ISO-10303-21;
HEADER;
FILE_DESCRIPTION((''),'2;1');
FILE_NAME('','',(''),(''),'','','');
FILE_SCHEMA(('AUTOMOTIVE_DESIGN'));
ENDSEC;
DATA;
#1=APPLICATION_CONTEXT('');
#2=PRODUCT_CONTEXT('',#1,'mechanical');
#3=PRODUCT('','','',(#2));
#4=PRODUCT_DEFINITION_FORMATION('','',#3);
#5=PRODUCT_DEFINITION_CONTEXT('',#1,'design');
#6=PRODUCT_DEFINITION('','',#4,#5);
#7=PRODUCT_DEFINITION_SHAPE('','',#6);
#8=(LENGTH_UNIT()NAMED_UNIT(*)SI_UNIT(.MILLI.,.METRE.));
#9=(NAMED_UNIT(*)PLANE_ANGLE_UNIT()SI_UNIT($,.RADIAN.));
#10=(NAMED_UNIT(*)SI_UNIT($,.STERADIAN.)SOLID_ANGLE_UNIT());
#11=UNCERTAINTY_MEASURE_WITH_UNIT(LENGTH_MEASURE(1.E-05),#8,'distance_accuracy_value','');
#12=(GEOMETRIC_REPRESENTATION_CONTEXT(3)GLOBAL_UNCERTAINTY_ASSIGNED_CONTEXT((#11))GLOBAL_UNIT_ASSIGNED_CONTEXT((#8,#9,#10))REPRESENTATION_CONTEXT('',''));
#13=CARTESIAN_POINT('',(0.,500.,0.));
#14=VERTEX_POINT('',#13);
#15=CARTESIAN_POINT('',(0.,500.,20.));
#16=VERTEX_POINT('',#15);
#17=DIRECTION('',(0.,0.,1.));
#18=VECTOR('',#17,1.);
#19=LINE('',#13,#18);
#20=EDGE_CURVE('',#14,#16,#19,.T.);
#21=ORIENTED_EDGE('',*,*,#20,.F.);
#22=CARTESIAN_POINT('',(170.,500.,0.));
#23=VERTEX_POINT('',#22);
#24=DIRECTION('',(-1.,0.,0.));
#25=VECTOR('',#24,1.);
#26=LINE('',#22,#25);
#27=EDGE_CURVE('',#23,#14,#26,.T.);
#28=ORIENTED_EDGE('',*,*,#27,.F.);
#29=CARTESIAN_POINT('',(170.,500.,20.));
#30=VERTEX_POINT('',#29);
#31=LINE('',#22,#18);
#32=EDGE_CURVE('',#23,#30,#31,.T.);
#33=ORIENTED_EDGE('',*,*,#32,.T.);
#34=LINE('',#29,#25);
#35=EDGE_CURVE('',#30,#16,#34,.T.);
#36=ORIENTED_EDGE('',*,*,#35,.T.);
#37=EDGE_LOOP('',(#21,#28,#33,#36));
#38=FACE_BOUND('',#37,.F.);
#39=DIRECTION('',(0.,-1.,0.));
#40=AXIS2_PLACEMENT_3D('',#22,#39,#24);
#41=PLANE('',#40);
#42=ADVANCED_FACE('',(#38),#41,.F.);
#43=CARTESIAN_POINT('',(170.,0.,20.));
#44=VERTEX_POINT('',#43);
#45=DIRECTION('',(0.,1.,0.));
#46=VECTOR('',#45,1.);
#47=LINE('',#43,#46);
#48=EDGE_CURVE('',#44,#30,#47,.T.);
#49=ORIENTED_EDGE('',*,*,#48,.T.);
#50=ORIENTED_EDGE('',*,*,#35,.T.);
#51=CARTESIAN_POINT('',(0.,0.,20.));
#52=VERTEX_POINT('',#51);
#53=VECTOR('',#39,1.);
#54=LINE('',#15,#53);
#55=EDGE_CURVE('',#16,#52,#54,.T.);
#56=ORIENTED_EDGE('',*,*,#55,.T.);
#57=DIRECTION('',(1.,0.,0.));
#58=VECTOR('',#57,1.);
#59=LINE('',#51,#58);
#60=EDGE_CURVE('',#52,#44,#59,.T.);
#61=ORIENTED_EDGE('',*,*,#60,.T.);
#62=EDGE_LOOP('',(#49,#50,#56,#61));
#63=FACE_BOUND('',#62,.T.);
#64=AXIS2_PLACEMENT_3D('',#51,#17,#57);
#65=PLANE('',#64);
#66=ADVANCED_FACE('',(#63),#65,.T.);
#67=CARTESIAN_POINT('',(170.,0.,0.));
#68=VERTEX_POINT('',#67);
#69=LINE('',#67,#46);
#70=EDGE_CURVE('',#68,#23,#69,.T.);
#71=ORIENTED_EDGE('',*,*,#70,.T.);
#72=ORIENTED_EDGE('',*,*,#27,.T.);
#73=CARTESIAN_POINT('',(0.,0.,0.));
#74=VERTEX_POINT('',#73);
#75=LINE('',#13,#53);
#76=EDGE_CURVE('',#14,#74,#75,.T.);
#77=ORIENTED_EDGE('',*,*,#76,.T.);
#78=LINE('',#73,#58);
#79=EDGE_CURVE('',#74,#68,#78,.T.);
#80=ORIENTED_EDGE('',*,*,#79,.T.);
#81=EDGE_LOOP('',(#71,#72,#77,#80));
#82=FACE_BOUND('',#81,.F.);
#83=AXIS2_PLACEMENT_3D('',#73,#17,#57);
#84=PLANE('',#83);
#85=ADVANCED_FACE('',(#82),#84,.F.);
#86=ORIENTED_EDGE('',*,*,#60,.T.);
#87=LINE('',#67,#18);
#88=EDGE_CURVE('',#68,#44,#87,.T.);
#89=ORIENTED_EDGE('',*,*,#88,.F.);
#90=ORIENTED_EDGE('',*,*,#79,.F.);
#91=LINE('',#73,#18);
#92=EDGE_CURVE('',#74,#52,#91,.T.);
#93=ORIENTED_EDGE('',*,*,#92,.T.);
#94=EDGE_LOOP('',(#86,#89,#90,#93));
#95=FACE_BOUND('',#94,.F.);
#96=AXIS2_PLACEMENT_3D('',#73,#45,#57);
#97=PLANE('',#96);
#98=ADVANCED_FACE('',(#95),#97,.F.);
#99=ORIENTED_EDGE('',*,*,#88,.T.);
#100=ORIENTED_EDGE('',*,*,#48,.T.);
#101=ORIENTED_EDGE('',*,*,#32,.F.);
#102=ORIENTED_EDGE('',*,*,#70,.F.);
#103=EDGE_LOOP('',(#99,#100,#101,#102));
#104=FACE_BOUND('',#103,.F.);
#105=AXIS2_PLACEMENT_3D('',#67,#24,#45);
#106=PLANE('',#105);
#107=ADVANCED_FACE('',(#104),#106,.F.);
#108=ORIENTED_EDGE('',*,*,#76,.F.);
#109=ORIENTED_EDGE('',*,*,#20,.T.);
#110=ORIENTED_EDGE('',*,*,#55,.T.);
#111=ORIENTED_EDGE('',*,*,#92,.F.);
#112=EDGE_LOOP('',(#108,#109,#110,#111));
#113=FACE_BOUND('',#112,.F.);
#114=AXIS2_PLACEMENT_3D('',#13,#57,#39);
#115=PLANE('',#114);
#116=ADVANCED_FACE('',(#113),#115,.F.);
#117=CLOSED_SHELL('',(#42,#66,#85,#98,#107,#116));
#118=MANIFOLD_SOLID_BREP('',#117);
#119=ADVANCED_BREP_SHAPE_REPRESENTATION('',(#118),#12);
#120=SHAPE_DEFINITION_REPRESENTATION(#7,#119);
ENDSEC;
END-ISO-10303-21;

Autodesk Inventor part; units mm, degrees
ref_plane "YZ Plane" through (0, 0, 0) normal (1, 0, 0) x (0, 1, 0)
ref_plane "XZ Plane" through (0, 0, 0) normal (0, 1, 0) x (-1, 0, 0)
ref_plane "XY Plane" through (0, 0, 0) normal (0, 0, 1) x (1, 0, 0)
sketch "Sketch1" plane through (0, 0, 0) normal (0, 0, 1) x (1, 0, 0)
  line L0 (0, 0) -> (170, 0)
  line L1 (170, 0) -> (170, 500)
  line L2 (170, 500) -> (0, 500)
  line L3 (0, 500) -> (0, 0)
  dimension "d0" = 170
  dimension "d1" = 500
extrude "Extrusion1" add sketch "Sketch1" along normal blind 20
sketch "Sketch2" plane through (0, 0, 20) normal (0, 0, 1) x (1, 0, 0)
  line L0 (76.3289, 436.6253) -> (93.3645, 436.6253)
  line L1 (93.3645, 436.6253) -> (93.3645, 381.0355)
  line L2 (93.3645, 381.0355) -> (76.3289, 381.0355)
  line L3 (76.3289, 381.0355) -> (76.3289, 436.6253)
  point P0 (0, 0)
properties part number "porte"
